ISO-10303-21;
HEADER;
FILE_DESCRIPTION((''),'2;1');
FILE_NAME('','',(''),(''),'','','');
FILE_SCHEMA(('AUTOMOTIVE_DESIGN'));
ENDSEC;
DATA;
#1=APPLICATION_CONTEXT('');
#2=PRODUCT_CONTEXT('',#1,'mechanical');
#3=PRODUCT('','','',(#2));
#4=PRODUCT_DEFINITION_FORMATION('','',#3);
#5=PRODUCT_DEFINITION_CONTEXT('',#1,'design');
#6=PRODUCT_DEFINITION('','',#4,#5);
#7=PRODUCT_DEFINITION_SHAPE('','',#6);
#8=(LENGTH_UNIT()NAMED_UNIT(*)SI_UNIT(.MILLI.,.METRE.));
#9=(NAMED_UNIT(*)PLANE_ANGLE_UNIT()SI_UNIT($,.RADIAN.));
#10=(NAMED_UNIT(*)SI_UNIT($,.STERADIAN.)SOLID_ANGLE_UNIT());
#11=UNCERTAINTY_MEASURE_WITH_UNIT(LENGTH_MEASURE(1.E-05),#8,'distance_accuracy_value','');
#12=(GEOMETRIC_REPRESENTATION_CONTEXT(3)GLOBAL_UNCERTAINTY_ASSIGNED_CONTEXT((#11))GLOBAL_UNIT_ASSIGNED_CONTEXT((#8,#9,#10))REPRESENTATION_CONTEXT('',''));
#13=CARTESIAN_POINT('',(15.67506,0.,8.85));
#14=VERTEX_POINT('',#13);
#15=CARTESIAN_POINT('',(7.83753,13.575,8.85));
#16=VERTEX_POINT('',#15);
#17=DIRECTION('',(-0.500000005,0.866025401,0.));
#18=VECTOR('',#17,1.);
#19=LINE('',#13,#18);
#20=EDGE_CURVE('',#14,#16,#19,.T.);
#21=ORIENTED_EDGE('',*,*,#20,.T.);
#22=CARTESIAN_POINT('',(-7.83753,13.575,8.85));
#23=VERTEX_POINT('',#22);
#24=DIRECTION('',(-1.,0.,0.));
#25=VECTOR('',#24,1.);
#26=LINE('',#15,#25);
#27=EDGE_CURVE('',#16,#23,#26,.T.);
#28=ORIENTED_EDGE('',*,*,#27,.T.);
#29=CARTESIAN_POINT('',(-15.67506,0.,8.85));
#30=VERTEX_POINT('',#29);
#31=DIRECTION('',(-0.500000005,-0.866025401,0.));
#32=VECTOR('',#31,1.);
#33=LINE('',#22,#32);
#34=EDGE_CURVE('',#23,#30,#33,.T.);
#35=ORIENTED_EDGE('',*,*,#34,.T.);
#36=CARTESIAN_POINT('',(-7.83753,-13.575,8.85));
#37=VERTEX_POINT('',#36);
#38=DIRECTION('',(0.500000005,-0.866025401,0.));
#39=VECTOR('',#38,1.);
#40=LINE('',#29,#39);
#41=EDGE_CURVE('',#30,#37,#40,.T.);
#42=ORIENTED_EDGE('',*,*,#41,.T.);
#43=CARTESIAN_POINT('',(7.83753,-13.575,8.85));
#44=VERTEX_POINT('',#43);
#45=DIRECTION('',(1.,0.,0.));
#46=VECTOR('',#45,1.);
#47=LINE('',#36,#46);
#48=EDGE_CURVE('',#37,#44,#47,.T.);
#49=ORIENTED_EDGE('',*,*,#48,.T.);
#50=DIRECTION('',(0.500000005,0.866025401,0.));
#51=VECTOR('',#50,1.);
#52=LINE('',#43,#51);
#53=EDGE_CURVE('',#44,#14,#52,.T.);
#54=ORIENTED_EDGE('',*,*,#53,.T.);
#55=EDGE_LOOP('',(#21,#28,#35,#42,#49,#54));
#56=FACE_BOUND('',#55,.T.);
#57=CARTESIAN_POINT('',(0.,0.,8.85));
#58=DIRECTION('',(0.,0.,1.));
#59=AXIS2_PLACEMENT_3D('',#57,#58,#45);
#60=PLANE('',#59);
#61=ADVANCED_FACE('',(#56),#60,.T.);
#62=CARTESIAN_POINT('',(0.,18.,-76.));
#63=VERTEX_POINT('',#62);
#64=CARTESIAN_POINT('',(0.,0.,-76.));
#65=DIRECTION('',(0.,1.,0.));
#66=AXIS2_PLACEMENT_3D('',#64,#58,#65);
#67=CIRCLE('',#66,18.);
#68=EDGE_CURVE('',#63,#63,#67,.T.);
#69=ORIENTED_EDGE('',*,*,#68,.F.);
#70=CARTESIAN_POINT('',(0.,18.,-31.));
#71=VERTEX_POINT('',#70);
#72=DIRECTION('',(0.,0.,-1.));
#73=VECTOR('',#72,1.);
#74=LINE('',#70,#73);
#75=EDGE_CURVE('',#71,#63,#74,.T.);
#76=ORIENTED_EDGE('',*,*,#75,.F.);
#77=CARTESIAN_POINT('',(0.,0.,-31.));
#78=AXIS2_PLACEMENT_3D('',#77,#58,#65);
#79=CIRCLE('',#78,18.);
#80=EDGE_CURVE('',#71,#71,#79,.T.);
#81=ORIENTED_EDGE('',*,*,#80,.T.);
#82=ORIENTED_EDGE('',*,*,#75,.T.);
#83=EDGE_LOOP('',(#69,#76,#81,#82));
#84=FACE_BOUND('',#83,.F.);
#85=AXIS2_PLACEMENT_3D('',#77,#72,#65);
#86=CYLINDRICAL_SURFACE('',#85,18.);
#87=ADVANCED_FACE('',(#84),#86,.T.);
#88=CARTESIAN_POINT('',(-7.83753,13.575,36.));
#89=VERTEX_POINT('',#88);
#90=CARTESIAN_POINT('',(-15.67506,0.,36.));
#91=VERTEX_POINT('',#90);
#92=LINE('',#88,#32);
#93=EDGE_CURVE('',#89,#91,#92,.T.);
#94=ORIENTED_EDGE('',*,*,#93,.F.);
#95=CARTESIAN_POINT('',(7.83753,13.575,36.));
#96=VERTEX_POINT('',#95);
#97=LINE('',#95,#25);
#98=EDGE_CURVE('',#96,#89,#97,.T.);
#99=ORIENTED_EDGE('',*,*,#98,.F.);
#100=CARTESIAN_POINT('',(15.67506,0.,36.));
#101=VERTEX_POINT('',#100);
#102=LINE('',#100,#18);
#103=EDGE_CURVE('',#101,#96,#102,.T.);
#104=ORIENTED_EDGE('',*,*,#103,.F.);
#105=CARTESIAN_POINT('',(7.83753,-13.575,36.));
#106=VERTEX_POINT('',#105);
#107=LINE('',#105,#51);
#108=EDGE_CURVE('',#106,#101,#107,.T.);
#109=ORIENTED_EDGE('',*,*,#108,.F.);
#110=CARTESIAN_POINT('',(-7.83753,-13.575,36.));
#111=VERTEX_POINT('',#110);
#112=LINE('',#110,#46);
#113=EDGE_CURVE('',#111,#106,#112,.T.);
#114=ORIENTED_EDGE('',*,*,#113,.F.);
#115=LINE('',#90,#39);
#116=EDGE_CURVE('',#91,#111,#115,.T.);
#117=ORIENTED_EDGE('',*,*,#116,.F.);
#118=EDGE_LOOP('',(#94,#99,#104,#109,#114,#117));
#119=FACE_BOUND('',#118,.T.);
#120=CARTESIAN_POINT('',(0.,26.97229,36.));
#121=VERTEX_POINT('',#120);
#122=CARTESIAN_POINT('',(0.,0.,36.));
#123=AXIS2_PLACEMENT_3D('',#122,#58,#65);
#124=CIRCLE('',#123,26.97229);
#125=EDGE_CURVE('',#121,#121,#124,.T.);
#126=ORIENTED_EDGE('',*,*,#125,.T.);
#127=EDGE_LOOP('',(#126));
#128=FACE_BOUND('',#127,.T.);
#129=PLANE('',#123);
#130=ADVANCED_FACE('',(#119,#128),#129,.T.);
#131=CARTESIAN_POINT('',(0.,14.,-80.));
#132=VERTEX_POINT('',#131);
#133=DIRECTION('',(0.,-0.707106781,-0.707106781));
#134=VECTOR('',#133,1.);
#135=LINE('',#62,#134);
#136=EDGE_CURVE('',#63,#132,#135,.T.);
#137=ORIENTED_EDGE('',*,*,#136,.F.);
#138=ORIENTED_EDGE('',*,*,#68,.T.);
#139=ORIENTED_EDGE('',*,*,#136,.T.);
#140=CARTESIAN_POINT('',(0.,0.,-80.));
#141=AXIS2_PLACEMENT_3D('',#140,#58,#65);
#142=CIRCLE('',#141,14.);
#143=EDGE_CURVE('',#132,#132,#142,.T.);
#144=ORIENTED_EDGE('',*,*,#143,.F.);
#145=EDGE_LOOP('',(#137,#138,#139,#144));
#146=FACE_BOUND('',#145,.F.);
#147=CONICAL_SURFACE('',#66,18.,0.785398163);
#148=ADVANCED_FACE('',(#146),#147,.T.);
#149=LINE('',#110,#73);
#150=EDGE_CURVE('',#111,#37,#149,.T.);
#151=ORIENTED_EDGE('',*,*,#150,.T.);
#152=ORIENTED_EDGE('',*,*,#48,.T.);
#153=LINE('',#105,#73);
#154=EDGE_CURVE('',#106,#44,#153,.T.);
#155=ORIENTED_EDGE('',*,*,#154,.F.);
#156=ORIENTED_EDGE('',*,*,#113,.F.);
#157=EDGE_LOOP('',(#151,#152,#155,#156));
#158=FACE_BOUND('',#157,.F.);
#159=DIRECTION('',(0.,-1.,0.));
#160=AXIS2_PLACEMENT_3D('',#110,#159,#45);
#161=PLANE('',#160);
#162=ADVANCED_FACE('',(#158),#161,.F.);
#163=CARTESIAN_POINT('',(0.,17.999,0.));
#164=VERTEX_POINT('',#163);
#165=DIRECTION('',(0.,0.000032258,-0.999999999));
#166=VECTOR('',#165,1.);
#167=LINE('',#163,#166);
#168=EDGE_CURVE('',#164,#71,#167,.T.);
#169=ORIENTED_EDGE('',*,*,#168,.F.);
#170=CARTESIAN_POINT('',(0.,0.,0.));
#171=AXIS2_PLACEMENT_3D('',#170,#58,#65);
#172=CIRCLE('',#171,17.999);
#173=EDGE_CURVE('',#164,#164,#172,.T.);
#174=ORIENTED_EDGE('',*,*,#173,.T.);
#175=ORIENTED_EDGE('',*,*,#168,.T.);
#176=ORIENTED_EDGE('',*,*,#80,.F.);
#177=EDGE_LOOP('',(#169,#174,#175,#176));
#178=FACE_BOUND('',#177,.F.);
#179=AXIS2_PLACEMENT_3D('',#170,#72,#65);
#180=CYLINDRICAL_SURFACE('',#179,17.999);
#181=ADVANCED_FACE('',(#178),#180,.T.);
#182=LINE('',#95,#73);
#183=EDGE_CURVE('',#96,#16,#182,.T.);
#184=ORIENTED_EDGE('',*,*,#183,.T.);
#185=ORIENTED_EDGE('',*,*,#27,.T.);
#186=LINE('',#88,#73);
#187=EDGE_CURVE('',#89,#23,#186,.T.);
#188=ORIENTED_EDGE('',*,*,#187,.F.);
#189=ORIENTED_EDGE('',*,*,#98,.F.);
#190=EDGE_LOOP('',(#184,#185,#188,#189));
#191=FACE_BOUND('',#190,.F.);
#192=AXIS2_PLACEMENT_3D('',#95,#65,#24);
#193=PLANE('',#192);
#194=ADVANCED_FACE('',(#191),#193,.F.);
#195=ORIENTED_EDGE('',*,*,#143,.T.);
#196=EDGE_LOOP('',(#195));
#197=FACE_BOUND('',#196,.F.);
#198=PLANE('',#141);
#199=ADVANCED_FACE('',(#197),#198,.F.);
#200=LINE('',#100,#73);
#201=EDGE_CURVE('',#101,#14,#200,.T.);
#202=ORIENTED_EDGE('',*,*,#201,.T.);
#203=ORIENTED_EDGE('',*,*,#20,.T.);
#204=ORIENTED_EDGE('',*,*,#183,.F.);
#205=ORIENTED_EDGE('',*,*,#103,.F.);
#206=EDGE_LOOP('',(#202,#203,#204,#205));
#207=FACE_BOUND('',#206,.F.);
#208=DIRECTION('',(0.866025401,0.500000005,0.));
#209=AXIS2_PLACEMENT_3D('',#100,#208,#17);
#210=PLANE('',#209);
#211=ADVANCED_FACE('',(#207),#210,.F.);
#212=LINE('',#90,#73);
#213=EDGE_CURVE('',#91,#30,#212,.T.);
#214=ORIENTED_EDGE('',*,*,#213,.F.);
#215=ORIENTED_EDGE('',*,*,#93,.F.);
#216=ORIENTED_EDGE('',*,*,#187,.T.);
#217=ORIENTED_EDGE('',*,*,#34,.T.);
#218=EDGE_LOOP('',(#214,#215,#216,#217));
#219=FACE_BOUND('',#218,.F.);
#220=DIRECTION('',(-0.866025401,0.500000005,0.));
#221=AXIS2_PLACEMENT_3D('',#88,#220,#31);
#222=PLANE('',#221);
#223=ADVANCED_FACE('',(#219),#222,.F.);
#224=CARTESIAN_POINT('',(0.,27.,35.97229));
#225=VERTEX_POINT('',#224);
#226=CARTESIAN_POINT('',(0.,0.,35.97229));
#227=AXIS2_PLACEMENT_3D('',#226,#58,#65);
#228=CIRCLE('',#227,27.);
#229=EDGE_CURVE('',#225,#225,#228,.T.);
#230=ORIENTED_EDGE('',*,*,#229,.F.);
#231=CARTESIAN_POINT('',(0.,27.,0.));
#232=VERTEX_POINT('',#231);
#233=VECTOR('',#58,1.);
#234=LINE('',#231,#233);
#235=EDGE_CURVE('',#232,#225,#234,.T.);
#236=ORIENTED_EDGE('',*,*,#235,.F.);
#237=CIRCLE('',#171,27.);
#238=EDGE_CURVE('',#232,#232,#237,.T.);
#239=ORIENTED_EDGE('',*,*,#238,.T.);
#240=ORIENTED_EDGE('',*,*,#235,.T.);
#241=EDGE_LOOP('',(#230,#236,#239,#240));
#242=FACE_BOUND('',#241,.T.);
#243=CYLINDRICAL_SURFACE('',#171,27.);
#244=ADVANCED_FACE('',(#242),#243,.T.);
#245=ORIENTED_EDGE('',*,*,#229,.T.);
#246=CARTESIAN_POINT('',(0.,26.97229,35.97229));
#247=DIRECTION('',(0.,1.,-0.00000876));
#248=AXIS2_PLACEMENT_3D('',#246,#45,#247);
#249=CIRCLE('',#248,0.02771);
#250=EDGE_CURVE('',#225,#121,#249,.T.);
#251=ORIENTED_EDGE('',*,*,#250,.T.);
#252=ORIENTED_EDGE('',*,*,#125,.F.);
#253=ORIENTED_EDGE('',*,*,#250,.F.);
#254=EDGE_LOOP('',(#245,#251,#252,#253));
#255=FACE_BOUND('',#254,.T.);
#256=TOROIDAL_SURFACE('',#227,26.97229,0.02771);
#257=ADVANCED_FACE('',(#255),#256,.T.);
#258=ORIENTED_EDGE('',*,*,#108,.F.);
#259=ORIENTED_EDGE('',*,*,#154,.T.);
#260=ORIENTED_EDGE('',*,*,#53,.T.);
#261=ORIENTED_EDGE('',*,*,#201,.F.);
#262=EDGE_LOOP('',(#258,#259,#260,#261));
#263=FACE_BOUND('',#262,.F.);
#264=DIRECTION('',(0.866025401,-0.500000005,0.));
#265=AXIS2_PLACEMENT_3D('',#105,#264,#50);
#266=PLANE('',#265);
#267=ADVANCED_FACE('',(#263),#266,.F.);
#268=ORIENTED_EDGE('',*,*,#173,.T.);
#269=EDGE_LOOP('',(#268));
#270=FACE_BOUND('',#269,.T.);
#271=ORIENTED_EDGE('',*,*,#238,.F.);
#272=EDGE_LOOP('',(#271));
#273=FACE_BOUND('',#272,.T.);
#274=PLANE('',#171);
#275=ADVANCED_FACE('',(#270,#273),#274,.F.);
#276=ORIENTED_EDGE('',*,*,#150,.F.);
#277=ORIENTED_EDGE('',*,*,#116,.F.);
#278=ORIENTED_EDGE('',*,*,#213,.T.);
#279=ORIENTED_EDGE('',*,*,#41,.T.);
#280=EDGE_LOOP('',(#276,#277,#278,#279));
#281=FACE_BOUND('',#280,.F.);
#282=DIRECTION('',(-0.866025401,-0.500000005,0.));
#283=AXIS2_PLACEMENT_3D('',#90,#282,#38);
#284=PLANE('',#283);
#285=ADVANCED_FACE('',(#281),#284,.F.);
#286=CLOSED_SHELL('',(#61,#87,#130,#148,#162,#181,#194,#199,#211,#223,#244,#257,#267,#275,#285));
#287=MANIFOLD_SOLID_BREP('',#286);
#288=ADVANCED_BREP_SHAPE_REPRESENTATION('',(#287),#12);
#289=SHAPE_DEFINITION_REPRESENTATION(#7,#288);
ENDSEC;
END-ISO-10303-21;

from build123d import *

# Parameters (mm, degrees)
POCKET_DEPTH = 27.15


with BuildPart() as part:
    # Sketch → Revolve (revolve)
    with BuildSketch(Plane.YZ):
        with BuildLine():
            Line((17.999, 0), (27, 0))
            Line((27, 0), (27, 35.97229))
            ThreePointArc((27, 35.97229), (26.991884, 35.991884), (26.97229, 36))
            Line((26.97229, 36), (0, 36))
            Line((0, -80), (0, 36))
            Line((14, -80), (0, -80))
            Line((18, -76), (14, -80))
            Line((18, -31), (18, -76))
            Line((17.999, 0), (18, -31))
        make_face()
    revolve(axis=Axis((0, 0, 0), (0, 0, 1)))

    # Sketch001 → Pocket (cut)
    with BuildSketch(Plane.XY.offset(36)):
        Polygon((15.67506, 0), (7.83753, 13.575), (-7.83753, 13.575), (-15.67506, 0), (-7.83753, -13.575), (7.83753, -13.575), align=None)
    extrude(amount=-POCKET_DEPTH, mode=Mode.SUBTRACT)


solid = part.part
